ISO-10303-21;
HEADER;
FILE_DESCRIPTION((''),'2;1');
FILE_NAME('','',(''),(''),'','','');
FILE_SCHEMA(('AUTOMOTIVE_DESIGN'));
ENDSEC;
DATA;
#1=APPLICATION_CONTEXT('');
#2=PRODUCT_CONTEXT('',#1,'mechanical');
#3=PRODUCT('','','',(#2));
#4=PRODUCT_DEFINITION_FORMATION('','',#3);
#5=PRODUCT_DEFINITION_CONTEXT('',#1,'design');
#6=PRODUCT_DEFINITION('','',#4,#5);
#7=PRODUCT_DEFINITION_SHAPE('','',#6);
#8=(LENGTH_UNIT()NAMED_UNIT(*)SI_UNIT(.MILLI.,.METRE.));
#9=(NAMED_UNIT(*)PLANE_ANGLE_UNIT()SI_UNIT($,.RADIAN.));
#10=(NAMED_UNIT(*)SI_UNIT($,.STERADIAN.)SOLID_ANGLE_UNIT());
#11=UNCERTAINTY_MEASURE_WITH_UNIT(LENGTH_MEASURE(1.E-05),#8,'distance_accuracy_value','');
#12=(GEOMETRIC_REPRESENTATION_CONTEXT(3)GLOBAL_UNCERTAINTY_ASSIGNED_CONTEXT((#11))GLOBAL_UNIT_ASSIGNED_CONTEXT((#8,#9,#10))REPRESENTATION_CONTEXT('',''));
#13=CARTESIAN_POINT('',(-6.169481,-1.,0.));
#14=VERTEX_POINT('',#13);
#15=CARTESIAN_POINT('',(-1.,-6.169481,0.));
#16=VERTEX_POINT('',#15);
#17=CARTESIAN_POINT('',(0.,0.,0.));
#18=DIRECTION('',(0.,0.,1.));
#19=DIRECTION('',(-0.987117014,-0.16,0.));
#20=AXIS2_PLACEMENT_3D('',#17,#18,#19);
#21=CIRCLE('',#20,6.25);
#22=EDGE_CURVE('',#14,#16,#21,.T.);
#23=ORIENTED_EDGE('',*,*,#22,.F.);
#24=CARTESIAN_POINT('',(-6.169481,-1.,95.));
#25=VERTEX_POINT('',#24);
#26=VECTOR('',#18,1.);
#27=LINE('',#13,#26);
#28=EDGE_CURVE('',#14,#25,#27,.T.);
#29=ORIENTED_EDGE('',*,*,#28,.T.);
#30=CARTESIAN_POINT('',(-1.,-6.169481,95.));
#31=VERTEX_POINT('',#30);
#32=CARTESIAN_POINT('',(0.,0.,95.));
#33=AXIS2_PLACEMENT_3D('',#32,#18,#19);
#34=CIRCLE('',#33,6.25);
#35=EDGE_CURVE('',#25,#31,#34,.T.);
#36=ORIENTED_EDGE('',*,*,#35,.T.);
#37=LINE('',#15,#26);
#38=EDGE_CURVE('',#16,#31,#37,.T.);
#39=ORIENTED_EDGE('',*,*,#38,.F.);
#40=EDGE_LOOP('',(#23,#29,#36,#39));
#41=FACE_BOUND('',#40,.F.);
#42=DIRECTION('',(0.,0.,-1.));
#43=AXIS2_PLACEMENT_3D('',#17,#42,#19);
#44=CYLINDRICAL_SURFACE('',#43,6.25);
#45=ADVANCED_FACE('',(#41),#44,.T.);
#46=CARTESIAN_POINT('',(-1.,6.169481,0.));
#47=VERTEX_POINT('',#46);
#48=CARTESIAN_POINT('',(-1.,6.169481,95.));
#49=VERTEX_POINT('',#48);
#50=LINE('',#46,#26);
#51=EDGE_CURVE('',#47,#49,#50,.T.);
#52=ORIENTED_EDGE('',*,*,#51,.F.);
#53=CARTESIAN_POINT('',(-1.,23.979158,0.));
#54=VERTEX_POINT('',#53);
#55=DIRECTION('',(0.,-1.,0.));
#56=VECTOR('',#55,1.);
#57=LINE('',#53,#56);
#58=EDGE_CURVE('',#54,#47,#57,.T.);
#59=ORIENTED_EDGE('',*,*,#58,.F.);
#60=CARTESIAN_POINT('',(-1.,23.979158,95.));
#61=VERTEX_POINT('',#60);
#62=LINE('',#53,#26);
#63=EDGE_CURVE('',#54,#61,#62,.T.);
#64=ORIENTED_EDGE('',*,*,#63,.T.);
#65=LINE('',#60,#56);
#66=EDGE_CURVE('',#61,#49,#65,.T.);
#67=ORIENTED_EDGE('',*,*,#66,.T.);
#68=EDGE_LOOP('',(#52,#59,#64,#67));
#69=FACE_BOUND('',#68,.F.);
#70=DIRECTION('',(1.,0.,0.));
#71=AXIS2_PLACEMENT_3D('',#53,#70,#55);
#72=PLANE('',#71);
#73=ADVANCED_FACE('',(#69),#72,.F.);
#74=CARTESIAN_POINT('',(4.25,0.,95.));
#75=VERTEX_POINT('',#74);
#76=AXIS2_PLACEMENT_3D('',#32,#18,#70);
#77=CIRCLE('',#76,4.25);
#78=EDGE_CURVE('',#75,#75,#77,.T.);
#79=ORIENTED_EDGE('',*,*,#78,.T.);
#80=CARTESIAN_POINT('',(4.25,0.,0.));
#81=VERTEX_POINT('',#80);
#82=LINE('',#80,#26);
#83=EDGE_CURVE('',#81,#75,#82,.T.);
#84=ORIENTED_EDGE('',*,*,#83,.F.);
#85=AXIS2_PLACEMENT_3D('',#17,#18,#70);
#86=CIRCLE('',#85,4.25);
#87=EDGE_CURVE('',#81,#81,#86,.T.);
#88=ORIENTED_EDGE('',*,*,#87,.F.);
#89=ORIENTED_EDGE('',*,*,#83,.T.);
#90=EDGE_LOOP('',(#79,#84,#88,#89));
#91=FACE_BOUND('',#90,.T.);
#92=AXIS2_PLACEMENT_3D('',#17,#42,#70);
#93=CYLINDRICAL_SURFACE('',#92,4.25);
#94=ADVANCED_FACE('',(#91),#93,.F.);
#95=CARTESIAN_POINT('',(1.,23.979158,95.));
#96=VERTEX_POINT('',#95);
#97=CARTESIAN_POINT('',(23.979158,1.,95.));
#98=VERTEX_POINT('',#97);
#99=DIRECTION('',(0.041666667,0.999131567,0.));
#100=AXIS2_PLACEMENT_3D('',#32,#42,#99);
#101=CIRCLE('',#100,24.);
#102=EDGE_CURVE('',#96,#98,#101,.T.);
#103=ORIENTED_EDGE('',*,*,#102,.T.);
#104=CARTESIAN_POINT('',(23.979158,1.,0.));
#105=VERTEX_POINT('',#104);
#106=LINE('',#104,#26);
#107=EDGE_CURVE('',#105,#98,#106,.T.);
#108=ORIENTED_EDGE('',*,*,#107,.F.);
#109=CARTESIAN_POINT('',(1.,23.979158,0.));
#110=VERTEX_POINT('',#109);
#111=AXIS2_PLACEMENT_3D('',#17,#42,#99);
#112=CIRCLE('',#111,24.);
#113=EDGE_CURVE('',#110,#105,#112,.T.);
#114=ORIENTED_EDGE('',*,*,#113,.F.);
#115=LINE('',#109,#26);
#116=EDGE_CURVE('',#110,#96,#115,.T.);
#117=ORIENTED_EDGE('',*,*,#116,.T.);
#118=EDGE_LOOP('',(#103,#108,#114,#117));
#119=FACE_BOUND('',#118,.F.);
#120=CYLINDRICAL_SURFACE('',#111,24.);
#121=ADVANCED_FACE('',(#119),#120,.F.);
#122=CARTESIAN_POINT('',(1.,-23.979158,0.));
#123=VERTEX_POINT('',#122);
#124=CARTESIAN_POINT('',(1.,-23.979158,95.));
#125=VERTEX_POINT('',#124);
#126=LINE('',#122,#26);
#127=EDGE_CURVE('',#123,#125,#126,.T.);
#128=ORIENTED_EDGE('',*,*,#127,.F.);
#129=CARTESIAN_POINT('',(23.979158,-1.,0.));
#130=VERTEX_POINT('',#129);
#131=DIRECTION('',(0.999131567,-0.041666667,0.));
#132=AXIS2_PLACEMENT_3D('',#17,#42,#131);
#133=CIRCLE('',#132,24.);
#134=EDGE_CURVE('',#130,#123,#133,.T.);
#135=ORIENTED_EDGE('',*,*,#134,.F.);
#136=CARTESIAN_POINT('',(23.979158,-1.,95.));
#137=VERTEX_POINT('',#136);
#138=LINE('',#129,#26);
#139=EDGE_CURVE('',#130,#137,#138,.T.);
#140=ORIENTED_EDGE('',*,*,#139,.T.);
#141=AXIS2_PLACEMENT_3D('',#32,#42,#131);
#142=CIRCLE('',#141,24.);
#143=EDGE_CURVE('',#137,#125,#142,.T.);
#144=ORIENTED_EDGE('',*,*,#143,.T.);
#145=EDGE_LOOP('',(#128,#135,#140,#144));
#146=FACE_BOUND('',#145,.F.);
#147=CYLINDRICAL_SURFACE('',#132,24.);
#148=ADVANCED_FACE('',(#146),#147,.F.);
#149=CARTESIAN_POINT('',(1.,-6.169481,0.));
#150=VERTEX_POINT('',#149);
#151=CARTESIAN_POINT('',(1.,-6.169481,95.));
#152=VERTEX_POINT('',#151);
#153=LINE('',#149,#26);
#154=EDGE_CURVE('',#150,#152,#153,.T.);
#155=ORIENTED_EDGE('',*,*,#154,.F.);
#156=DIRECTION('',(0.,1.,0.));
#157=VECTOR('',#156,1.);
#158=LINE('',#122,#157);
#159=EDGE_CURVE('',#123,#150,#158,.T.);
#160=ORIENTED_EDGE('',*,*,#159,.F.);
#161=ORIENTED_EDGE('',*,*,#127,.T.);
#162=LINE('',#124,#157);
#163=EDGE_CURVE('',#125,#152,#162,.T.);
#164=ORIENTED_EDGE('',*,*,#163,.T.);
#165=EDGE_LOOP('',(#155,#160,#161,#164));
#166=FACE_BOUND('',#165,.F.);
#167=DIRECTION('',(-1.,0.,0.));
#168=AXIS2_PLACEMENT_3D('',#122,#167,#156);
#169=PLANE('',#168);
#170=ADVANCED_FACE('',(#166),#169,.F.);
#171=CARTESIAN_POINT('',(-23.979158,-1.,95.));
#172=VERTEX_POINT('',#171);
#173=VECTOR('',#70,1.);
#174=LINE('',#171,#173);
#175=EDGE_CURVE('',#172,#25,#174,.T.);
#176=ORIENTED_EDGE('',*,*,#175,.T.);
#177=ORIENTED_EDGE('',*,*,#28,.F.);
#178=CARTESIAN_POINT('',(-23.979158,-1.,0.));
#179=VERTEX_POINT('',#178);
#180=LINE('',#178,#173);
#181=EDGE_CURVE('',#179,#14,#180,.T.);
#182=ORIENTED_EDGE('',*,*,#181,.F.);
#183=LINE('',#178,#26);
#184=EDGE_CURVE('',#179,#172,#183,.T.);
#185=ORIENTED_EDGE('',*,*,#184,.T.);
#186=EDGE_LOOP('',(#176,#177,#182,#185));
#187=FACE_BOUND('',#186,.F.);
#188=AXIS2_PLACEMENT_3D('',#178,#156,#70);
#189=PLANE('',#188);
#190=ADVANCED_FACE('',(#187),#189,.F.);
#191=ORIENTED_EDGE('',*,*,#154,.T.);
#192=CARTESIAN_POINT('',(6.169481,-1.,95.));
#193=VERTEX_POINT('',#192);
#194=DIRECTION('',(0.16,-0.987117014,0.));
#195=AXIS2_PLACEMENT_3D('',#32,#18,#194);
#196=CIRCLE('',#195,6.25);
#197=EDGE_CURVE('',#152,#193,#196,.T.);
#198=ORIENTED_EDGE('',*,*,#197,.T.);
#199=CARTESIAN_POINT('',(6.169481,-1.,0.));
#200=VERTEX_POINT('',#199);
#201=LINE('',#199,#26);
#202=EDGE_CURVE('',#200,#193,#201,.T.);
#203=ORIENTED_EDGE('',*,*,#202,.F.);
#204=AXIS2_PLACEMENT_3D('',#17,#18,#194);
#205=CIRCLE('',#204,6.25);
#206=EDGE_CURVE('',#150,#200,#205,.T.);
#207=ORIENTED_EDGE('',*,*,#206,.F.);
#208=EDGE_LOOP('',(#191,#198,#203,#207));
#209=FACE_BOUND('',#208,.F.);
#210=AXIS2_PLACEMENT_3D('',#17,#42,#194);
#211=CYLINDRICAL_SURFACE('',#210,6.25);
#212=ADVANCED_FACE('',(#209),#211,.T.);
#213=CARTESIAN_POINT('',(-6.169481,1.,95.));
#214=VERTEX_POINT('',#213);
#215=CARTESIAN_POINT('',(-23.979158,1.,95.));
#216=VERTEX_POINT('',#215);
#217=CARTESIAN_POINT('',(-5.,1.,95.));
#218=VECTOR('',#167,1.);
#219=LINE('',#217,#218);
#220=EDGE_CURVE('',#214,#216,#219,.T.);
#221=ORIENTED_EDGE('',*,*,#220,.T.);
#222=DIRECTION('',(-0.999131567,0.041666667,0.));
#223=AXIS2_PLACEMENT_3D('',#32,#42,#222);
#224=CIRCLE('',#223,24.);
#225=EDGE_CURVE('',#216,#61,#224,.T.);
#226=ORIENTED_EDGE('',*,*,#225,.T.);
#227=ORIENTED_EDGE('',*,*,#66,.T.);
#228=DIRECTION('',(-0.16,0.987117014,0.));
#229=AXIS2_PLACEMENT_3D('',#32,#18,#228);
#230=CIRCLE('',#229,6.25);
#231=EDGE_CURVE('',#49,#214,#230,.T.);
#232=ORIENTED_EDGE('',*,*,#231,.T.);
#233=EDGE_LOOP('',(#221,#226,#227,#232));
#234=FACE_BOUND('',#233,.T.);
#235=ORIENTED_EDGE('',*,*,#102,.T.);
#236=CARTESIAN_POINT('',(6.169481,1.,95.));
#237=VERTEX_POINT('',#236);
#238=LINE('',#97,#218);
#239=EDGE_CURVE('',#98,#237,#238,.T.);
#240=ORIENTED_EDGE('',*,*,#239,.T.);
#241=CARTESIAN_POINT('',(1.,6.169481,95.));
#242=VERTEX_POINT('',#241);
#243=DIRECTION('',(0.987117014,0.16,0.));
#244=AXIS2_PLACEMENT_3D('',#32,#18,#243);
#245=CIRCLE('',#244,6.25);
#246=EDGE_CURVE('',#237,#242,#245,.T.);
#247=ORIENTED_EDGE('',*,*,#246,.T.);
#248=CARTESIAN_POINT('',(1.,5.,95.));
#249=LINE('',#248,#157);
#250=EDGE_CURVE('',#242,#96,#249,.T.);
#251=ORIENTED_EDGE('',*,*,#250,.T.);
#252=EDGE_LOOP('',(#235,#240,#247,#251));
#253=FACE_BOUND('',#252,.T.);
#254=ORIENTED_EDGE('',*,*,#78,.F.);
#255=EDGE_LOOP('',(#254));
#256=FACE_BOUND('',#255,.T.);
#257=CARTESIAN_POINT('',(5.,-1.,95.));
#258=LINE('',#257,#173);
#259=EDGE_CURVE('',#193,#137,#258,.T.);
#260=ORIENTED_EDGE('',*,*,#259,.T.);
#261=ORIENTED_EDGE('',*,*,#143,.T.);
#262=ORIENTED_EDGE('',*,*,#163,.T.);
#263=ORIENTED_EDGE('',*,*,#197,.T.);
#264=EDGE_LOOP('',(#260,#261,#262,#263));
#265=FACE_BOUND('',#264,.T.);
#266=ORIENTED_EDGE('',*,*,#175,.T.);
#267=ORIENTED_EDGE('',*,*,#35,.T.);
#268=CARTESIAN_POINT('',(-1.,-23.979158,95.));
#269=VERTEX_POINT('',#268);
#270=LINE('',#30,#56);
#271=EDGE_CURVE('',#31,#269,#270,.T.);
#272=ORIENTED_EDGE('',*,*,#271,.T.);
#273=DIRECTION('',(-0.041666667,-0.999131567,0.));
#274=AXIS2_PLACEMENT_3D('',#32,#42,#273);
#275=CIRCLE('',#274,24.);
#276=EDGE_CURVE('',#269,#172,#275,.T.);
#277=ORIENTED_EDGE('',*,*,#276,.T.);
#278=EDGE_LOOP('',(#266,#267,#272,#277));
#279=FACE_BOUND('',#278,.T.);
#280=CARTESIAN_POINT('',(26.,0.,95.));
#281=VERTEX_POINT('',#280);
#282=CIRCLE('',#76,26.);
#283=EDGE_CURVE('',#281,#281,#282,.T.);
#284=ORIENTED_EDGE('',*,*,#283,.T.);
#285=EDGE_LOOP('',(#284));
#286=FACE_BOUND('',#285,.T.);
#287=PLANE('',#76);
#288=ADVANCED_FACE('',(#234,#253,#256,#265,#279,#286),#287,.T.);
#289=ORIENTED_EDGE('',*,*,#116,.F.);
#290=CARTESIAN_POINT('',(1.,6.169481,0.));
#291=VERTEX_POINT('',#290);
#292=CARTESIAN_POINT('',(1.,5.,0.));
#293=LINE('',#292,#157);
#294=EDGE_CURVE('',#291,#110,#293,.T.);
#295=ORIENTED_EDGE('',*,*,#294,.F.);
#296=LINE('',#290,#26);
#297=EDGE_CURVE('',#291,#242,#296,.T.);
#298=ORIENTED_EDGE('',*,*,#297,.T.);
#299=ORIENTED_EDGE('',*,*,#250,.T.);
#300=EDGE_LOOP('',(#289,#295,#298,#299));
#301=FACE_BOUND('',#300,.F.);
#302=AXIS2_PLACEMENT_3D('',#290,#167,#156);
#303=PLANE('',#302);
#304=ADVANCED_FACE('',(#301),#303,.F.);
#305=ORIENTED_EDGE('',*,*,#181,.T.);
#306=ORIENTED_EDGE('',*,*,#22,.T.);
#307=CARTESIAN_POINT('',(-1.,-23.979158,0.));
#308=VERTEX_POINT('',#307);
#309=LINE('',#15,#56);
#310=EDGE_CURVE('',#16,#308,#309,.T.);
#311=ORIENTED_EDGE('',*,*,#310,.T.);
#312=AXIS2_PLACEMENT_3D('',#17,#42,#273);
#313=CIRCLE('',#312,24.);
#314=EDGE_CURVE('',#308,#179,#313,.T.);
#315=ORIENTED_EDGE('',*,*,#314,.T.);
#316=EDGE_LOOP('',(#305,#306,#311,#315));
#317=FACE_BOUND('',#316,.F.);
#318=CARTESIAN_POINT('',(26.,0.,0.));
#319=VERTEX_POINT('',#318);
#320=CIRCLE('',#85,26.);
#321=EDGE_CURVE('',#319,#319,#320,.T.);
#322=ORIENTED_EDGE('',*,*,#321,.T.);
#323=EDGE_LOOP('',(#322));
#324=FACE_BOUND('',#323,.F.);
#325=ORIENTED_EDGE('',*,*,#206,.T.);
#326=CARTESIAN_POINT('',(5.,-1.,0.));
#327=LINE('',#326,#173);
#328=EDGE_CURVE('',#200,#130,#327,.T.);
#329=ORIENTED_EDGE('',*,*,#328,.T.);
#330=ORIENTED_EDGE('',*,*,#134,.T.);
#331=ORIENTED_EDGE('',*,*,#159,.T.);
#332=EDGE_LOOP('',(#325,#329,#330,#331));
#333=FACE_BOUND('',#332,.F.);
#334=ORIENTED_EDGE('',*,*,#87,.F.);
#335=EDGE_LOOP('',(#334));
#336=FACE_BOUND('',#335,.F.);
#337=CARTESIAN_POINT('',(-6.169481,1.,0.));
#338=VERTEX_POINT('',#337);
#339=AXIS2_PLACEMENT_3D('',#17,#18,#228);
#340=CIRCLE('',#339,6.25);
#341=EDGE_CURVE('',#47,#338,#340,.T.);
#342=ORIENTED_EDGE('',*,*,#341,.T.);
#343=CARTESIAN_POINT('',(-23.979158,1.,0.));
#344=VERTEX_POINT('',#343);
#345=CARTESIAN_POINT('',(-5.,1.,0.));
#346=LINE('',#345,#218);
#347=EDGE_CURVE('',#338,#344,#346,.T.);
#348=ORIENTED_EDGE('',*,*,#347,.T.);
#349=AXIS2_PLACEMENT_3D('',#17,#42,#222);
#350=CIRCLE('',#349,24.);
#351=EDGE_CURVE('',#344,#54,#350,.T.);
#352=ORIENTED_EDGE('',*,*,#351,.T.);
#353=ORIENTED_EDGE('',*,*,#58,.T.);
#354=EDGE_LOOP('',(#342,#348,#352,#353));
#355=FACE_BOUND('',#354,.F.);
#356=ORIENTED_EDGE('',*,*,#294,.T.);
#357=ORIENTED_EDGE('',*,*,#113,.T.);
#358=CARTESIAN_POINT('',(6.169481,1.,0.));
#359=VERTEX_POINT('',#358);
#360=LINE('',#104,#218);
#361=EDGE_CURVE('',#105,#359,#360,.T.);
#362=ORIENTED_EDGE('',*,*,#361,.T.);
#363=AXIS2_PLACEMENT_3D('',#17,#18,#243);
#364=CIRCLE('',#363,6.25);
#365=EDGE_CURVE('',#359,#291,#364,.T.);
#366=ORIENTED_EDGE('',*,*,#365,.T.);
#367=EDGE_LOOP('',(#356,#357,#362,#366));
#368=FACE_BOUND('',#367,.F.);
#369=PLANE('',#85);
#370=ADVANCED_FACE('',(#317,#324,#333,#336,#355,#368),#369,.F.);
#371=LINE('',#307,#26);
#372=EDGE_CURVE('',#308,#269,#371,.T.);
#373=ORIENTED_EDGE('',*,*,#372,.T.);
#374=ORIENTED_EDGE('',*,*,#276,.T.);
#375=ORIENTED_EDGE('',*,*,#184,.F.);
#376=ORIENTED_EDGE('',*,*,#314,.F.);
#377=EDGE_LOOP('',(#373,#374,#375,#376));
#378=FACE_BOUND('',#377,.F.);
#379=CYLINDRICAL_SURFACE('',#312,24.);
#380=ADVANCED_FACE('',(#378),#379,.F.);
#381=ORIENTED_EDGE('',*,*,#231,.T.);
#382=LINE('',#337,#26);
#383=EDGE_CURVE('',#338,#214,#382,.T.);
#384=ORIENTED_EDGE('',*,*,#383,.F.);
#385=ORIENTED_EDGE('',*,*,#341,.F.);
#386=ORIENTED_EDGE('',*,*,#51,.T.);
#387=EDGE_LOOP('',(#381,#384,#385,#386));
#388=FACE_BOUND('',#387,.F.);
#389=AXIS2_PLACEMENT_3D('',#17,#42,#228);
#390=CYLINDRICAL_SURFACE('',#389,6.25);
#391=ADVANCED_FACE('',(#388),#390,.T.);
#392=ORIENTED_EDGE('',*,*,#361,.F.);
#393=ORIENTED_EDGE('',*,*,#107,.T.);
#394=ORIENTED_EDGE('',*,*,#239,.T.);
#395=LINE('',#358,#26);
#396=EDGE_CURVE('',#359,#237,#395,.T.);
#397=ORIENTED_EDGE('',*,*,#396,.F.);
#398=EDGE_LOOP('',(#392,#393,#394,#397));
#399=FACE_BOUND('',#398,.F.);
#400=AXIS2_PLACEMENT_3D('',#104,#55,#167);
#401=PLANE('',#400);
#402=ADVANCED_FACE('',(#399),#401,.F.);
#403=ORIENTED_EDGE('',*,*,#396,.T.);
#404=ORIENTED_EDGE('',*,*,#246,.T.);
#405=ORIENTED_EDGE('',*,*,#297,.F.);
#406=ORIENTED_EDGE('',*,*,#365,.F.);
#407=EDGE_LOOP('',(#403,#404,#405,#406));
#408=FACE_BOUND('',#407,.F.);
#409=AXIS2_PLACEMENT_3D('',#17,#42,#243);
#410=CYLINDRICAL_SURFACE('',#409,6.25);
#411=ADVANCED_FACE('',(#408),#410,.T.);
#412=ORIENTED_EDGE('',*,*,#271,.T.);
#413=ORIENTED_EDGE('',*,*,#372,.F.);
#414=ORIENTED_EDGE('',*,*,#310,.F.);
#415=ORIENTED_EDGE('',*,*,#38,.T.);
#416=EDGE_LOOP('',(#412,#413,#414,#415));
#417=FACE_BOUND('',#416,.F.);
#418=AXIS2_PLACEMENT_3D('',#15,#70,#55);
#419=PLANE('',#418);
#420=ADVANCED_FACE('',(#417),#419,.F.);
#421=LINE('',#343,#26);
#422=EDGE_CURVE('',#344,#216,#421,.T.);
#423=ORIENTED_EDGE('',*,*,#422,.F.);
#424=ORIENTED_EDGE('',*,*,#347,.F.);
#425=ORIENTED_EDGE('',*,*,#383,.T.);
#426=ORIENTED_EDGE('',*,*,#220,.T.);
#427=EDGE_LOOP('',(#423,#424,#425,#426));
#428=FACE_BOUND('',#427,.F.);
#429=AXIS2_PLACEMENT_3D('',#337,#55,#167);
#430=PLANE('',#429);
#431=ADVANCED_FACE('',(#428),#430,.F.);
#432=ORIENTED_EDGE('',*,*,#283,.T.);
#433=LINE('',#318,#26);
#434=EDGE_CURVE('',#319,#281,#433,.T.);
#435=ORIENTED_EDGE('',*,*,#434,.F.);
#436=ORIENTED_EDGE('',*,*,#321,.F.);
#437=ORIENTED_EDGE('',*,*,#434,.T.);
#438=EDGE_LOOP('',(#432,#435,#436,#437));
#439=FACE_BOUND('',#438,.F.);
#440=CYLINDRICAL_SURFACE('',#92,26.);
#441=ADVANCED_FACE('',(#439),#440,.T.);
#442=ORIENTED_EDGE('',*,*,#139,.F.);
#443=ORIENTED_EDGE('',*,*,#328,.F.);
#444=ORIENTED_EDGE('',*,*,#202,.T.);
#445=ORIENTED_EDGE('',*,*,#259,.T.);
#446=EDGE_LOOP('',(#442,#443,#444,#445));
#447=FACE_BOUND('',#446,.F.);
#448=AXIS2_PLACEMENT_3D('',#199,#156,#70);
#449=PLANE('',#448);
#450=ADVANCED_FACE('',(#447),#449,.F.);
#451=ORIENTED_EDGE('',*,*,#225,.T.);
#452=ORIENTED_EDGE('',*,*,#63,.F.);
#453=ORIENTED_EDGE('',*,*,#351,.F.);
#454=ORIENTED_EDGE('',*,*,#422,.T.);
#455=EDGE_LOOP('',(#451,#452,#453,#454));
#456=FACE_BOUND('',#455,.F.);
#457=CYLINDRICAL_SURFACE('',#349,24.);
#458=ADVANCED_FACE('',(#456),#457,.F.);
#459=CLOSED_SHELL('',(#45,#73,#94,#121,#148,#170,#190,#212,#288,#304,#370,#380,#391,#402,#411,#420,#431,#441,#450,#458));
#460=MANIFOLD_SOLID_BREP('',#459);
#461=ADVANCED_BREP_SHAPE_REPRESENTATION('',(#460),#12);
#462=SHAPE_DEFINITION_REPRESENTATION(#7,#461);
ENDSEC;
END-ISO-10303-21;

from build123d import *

# Parameters (mm, degrees)
F0_R     = 26
F0_R_2   = 4.25
F1_DEPTH = 95


with BuildPart() as f1:
    # F0 (on Top) → F1 (new body)
    with BuildSketch(Plane.XY):
        Circle(F0_R)
        with BuildLine():
            ThreePointArc((1, 23.9791576166), (16.9705627485, 16.9705627485), (23.9791576166, 1))
            Line((23.9791576166, 1), (25, 1))
            Line((25, 1), (25, -1))
            Line((25, -1), (23.9791576166, -1))
            ThreePointArc((23.9791576166, -1), (16.9705627485, -16.9705627485), (1, -23.9791576166))
            Line((1, -23.9791576166), (1, -25))
            Line((1, -25), (-1, -25))
            Line((-1, -25), (-1, -23.9791576166))
            ThreePointArc((-1, -23.9791576166), (-16.9705627485, -16.9705627485), (-23.9791576166, -1))
            Line((-23.9791576166, -1), (-25, -1))
            Line((-25, -1), (-25, 1))
            Line((-25, 1), (-23.9791576166, 1))
            ThreePointArc((-23.9791576166, 1), (-16.9705627485, 16.9705627485), (-1, 23.9791576166))
            Line((-1, 23.9791576166), (-1, 25))
            Line((-1, 25), (1, 25))
            Line((1, 25), (1, 23.9791576166))
        make_face(mode=Mode.SUBTRACT)
        with BuildLine():
            ThreePointArc((-23.9791576166, -1), (-24, 0), (-23.9791576166, 1))
            Line((-23.9791576166, 1), (-25, 1))
            Line((-25, 1), (-25, -1))
            Line((-25, -1), (-23.9791576166, -1))
        make_face()
        with BuildLine():
            Line((1, -25), (1, -23.9791576166))
            ThreePointArc((1, -23.9791576166), (0, -24), (-1, -23.9791576166))
            Line((-1, -23.9791576166), (-1, -25))
            Line((-1, -25), (1, -25))
        make_face()
        with BuildLine():
            ThreePointArc((-1, -23.9791576166), (0, -24), (1, -23.9791576166))
            Line((1, -23.9791576166), (1, -6.1694813396))
            ThreePointArc((1, -6.1694813396), (0, -6.25), (-1, -6.1694813396))
            Line((-1, -6.1694813396), (-1, -23.9791576166))
        make_face()
        with BuildLine():
            Line((-6.1694813396, 1), (-23.9791576166, 1))
            ThreePointArc((-23.9791576166, 1), (-24, 0), (-23.9791576166, -1))
            Line((-23.9791576166, -1), (-6.1694813396, -1))
            ThreePointArc((-6.1694813396, -1), (-6.25, 0), (-6.1694813396, 1))
        make_face()
        with BuildLine():
            Line((-5, 1), (-6.1694813396, 1))
            ThreePointArc((-6.1694813396, 1), (-6.25, 0), (-6.1694813396, -1))
            Line((-6.1694813396, -1), (-5, -1))
            Line((-5, -1), (-5, 1))
        make_face()
        with BuildLine():
            ThreePointArc((23.9791576166, -1), (23.9947888384, -0.5001085894), (24, 0))
            ThreePointArc((24, 0), (23.9947888384, 0.5001085894), (23.9791576166, 1))
            Line((23.9791576166, 1), (6.1694813396, 1))
            ThreePointArc((6.1694813396, 1), (6.2298378138, 0.5016181951), (6.25, 0))
            ThreePointArc((6.25, 0), (6.2298378138, -0.5016181951), (6.1694813396, -1))
            Line((6.1694813396, -1), (23.9791576166, -1))
        make_face()
        with BuildLine():
            ThreePointArc((23.9791576166, 1), (23.9947888384, 0.5001085894), (24, 0))
            ThreePointArc((24, 0), (23.9947888384, -0.5001085894), (23.9791576166, -1))
            Line((23.9791576166, -1), (25, -1))
            Line((25, -1), (25, 1))
            Line((25, 1), (23.9791576166, 1))
        make_face()
        with BuildLine():
            Line((1, 6.1694813396), (1, 23.9791576166))
            ThreePointArc((1, 23.9791576166), (0, 24), (-1, 23.9791576166))
            Line((-1, 23.9791576166), (-1, 6.1694813396))
            ThreePointArc((-1, 6.1694813396), (0, 6.25), (1, 6.1694813396))
        make_face()
        with BuildLine():
            ThreePointArc((-1, 23.9791576166), (0, 24), (1, 23.9791576166))
            Line((1, 23.9791576166), (1, 25))
            Line((1, 25), (-1, 25))
            Line((-1, 25), (-1, 23.9791576166))
        make_face()
        with BuildLine():
            Line((1, 5), (1, 6.1694813396))
            ThreePointArc((1, 6.1694813396), (0, 6.25), (-1, 6.1694813396))
            Line((-1, 6.1694813396), (-1, 5))
            Line((-1, 5), (1, 5))
        make_face()
        with BuildLine():
            ThreePointArc((6.25, 0), (6.2298378138, 0.5016181951), (6.1694813396, 1))
            Line((6.1694813396, 1), (5, 1))
            Line((5, 1), (5, -1))
            Line((5, -1), (6.1694813396, -1))
            ThreePointArc((6.1694813396, -1), (6.2298378138, -0.5016181951), (6.25, 0))
        make_face()
        with BuildLine():
            Line((5, 1), (6.1694813396, 1))
            ThreePointArc((6.1694813396, 1), (4.4194173824, 4.4194173824), (1, 6.1694813396))
            Line((1, 6.1694813396), (1, 5))
            Line((1, 5), (-1, 5))
            Line((-1, 5), (-1, 6.1694813396))
            ThreePointArc((-1, 6.1694813396), (-4.4194173824, 4.4194173824), (-6.1694813396, 1))
            Line((-6.1694813396, 1), (-5, 1))
            Line((-5, 1), (-5, -1))
            Line((-5, -1), (-6.1694813396, -1))
            ThreePointArc((-6.1694813396, -1), (-4.4194173824, -4.4194173824), (-1, -6.1694813396))
            Line((-1, -6.1694813396), (-1, -5))
            Line((-1, -5), (1, -5))
            Line((1, -5), (1, -6.1694813396))
            ThreePointArc((1, -6.1694813396), (4.4194173824, -4.4194173824), (6.1694813396, -1))
            Line((6.1694813396, -1), (5, -1))
            Line((5, -1), (5, 1))
        make_face()
        Circle(F0_R_2, mode=Mode.SUBTRACT)
        with BuildLine():
            ThreePointArc((-1, -6.1694813396), (0, -6.25), (1, -6.1694813396))
            Line((1, -6.1694813396), (1, -5))
            Line((1, -5), (-1, -5))
            Line((-1, -5), (-1, -6.1694813396))
        make_face()
    extrude(amount=F1_DEPTH)


solid = f1.part
